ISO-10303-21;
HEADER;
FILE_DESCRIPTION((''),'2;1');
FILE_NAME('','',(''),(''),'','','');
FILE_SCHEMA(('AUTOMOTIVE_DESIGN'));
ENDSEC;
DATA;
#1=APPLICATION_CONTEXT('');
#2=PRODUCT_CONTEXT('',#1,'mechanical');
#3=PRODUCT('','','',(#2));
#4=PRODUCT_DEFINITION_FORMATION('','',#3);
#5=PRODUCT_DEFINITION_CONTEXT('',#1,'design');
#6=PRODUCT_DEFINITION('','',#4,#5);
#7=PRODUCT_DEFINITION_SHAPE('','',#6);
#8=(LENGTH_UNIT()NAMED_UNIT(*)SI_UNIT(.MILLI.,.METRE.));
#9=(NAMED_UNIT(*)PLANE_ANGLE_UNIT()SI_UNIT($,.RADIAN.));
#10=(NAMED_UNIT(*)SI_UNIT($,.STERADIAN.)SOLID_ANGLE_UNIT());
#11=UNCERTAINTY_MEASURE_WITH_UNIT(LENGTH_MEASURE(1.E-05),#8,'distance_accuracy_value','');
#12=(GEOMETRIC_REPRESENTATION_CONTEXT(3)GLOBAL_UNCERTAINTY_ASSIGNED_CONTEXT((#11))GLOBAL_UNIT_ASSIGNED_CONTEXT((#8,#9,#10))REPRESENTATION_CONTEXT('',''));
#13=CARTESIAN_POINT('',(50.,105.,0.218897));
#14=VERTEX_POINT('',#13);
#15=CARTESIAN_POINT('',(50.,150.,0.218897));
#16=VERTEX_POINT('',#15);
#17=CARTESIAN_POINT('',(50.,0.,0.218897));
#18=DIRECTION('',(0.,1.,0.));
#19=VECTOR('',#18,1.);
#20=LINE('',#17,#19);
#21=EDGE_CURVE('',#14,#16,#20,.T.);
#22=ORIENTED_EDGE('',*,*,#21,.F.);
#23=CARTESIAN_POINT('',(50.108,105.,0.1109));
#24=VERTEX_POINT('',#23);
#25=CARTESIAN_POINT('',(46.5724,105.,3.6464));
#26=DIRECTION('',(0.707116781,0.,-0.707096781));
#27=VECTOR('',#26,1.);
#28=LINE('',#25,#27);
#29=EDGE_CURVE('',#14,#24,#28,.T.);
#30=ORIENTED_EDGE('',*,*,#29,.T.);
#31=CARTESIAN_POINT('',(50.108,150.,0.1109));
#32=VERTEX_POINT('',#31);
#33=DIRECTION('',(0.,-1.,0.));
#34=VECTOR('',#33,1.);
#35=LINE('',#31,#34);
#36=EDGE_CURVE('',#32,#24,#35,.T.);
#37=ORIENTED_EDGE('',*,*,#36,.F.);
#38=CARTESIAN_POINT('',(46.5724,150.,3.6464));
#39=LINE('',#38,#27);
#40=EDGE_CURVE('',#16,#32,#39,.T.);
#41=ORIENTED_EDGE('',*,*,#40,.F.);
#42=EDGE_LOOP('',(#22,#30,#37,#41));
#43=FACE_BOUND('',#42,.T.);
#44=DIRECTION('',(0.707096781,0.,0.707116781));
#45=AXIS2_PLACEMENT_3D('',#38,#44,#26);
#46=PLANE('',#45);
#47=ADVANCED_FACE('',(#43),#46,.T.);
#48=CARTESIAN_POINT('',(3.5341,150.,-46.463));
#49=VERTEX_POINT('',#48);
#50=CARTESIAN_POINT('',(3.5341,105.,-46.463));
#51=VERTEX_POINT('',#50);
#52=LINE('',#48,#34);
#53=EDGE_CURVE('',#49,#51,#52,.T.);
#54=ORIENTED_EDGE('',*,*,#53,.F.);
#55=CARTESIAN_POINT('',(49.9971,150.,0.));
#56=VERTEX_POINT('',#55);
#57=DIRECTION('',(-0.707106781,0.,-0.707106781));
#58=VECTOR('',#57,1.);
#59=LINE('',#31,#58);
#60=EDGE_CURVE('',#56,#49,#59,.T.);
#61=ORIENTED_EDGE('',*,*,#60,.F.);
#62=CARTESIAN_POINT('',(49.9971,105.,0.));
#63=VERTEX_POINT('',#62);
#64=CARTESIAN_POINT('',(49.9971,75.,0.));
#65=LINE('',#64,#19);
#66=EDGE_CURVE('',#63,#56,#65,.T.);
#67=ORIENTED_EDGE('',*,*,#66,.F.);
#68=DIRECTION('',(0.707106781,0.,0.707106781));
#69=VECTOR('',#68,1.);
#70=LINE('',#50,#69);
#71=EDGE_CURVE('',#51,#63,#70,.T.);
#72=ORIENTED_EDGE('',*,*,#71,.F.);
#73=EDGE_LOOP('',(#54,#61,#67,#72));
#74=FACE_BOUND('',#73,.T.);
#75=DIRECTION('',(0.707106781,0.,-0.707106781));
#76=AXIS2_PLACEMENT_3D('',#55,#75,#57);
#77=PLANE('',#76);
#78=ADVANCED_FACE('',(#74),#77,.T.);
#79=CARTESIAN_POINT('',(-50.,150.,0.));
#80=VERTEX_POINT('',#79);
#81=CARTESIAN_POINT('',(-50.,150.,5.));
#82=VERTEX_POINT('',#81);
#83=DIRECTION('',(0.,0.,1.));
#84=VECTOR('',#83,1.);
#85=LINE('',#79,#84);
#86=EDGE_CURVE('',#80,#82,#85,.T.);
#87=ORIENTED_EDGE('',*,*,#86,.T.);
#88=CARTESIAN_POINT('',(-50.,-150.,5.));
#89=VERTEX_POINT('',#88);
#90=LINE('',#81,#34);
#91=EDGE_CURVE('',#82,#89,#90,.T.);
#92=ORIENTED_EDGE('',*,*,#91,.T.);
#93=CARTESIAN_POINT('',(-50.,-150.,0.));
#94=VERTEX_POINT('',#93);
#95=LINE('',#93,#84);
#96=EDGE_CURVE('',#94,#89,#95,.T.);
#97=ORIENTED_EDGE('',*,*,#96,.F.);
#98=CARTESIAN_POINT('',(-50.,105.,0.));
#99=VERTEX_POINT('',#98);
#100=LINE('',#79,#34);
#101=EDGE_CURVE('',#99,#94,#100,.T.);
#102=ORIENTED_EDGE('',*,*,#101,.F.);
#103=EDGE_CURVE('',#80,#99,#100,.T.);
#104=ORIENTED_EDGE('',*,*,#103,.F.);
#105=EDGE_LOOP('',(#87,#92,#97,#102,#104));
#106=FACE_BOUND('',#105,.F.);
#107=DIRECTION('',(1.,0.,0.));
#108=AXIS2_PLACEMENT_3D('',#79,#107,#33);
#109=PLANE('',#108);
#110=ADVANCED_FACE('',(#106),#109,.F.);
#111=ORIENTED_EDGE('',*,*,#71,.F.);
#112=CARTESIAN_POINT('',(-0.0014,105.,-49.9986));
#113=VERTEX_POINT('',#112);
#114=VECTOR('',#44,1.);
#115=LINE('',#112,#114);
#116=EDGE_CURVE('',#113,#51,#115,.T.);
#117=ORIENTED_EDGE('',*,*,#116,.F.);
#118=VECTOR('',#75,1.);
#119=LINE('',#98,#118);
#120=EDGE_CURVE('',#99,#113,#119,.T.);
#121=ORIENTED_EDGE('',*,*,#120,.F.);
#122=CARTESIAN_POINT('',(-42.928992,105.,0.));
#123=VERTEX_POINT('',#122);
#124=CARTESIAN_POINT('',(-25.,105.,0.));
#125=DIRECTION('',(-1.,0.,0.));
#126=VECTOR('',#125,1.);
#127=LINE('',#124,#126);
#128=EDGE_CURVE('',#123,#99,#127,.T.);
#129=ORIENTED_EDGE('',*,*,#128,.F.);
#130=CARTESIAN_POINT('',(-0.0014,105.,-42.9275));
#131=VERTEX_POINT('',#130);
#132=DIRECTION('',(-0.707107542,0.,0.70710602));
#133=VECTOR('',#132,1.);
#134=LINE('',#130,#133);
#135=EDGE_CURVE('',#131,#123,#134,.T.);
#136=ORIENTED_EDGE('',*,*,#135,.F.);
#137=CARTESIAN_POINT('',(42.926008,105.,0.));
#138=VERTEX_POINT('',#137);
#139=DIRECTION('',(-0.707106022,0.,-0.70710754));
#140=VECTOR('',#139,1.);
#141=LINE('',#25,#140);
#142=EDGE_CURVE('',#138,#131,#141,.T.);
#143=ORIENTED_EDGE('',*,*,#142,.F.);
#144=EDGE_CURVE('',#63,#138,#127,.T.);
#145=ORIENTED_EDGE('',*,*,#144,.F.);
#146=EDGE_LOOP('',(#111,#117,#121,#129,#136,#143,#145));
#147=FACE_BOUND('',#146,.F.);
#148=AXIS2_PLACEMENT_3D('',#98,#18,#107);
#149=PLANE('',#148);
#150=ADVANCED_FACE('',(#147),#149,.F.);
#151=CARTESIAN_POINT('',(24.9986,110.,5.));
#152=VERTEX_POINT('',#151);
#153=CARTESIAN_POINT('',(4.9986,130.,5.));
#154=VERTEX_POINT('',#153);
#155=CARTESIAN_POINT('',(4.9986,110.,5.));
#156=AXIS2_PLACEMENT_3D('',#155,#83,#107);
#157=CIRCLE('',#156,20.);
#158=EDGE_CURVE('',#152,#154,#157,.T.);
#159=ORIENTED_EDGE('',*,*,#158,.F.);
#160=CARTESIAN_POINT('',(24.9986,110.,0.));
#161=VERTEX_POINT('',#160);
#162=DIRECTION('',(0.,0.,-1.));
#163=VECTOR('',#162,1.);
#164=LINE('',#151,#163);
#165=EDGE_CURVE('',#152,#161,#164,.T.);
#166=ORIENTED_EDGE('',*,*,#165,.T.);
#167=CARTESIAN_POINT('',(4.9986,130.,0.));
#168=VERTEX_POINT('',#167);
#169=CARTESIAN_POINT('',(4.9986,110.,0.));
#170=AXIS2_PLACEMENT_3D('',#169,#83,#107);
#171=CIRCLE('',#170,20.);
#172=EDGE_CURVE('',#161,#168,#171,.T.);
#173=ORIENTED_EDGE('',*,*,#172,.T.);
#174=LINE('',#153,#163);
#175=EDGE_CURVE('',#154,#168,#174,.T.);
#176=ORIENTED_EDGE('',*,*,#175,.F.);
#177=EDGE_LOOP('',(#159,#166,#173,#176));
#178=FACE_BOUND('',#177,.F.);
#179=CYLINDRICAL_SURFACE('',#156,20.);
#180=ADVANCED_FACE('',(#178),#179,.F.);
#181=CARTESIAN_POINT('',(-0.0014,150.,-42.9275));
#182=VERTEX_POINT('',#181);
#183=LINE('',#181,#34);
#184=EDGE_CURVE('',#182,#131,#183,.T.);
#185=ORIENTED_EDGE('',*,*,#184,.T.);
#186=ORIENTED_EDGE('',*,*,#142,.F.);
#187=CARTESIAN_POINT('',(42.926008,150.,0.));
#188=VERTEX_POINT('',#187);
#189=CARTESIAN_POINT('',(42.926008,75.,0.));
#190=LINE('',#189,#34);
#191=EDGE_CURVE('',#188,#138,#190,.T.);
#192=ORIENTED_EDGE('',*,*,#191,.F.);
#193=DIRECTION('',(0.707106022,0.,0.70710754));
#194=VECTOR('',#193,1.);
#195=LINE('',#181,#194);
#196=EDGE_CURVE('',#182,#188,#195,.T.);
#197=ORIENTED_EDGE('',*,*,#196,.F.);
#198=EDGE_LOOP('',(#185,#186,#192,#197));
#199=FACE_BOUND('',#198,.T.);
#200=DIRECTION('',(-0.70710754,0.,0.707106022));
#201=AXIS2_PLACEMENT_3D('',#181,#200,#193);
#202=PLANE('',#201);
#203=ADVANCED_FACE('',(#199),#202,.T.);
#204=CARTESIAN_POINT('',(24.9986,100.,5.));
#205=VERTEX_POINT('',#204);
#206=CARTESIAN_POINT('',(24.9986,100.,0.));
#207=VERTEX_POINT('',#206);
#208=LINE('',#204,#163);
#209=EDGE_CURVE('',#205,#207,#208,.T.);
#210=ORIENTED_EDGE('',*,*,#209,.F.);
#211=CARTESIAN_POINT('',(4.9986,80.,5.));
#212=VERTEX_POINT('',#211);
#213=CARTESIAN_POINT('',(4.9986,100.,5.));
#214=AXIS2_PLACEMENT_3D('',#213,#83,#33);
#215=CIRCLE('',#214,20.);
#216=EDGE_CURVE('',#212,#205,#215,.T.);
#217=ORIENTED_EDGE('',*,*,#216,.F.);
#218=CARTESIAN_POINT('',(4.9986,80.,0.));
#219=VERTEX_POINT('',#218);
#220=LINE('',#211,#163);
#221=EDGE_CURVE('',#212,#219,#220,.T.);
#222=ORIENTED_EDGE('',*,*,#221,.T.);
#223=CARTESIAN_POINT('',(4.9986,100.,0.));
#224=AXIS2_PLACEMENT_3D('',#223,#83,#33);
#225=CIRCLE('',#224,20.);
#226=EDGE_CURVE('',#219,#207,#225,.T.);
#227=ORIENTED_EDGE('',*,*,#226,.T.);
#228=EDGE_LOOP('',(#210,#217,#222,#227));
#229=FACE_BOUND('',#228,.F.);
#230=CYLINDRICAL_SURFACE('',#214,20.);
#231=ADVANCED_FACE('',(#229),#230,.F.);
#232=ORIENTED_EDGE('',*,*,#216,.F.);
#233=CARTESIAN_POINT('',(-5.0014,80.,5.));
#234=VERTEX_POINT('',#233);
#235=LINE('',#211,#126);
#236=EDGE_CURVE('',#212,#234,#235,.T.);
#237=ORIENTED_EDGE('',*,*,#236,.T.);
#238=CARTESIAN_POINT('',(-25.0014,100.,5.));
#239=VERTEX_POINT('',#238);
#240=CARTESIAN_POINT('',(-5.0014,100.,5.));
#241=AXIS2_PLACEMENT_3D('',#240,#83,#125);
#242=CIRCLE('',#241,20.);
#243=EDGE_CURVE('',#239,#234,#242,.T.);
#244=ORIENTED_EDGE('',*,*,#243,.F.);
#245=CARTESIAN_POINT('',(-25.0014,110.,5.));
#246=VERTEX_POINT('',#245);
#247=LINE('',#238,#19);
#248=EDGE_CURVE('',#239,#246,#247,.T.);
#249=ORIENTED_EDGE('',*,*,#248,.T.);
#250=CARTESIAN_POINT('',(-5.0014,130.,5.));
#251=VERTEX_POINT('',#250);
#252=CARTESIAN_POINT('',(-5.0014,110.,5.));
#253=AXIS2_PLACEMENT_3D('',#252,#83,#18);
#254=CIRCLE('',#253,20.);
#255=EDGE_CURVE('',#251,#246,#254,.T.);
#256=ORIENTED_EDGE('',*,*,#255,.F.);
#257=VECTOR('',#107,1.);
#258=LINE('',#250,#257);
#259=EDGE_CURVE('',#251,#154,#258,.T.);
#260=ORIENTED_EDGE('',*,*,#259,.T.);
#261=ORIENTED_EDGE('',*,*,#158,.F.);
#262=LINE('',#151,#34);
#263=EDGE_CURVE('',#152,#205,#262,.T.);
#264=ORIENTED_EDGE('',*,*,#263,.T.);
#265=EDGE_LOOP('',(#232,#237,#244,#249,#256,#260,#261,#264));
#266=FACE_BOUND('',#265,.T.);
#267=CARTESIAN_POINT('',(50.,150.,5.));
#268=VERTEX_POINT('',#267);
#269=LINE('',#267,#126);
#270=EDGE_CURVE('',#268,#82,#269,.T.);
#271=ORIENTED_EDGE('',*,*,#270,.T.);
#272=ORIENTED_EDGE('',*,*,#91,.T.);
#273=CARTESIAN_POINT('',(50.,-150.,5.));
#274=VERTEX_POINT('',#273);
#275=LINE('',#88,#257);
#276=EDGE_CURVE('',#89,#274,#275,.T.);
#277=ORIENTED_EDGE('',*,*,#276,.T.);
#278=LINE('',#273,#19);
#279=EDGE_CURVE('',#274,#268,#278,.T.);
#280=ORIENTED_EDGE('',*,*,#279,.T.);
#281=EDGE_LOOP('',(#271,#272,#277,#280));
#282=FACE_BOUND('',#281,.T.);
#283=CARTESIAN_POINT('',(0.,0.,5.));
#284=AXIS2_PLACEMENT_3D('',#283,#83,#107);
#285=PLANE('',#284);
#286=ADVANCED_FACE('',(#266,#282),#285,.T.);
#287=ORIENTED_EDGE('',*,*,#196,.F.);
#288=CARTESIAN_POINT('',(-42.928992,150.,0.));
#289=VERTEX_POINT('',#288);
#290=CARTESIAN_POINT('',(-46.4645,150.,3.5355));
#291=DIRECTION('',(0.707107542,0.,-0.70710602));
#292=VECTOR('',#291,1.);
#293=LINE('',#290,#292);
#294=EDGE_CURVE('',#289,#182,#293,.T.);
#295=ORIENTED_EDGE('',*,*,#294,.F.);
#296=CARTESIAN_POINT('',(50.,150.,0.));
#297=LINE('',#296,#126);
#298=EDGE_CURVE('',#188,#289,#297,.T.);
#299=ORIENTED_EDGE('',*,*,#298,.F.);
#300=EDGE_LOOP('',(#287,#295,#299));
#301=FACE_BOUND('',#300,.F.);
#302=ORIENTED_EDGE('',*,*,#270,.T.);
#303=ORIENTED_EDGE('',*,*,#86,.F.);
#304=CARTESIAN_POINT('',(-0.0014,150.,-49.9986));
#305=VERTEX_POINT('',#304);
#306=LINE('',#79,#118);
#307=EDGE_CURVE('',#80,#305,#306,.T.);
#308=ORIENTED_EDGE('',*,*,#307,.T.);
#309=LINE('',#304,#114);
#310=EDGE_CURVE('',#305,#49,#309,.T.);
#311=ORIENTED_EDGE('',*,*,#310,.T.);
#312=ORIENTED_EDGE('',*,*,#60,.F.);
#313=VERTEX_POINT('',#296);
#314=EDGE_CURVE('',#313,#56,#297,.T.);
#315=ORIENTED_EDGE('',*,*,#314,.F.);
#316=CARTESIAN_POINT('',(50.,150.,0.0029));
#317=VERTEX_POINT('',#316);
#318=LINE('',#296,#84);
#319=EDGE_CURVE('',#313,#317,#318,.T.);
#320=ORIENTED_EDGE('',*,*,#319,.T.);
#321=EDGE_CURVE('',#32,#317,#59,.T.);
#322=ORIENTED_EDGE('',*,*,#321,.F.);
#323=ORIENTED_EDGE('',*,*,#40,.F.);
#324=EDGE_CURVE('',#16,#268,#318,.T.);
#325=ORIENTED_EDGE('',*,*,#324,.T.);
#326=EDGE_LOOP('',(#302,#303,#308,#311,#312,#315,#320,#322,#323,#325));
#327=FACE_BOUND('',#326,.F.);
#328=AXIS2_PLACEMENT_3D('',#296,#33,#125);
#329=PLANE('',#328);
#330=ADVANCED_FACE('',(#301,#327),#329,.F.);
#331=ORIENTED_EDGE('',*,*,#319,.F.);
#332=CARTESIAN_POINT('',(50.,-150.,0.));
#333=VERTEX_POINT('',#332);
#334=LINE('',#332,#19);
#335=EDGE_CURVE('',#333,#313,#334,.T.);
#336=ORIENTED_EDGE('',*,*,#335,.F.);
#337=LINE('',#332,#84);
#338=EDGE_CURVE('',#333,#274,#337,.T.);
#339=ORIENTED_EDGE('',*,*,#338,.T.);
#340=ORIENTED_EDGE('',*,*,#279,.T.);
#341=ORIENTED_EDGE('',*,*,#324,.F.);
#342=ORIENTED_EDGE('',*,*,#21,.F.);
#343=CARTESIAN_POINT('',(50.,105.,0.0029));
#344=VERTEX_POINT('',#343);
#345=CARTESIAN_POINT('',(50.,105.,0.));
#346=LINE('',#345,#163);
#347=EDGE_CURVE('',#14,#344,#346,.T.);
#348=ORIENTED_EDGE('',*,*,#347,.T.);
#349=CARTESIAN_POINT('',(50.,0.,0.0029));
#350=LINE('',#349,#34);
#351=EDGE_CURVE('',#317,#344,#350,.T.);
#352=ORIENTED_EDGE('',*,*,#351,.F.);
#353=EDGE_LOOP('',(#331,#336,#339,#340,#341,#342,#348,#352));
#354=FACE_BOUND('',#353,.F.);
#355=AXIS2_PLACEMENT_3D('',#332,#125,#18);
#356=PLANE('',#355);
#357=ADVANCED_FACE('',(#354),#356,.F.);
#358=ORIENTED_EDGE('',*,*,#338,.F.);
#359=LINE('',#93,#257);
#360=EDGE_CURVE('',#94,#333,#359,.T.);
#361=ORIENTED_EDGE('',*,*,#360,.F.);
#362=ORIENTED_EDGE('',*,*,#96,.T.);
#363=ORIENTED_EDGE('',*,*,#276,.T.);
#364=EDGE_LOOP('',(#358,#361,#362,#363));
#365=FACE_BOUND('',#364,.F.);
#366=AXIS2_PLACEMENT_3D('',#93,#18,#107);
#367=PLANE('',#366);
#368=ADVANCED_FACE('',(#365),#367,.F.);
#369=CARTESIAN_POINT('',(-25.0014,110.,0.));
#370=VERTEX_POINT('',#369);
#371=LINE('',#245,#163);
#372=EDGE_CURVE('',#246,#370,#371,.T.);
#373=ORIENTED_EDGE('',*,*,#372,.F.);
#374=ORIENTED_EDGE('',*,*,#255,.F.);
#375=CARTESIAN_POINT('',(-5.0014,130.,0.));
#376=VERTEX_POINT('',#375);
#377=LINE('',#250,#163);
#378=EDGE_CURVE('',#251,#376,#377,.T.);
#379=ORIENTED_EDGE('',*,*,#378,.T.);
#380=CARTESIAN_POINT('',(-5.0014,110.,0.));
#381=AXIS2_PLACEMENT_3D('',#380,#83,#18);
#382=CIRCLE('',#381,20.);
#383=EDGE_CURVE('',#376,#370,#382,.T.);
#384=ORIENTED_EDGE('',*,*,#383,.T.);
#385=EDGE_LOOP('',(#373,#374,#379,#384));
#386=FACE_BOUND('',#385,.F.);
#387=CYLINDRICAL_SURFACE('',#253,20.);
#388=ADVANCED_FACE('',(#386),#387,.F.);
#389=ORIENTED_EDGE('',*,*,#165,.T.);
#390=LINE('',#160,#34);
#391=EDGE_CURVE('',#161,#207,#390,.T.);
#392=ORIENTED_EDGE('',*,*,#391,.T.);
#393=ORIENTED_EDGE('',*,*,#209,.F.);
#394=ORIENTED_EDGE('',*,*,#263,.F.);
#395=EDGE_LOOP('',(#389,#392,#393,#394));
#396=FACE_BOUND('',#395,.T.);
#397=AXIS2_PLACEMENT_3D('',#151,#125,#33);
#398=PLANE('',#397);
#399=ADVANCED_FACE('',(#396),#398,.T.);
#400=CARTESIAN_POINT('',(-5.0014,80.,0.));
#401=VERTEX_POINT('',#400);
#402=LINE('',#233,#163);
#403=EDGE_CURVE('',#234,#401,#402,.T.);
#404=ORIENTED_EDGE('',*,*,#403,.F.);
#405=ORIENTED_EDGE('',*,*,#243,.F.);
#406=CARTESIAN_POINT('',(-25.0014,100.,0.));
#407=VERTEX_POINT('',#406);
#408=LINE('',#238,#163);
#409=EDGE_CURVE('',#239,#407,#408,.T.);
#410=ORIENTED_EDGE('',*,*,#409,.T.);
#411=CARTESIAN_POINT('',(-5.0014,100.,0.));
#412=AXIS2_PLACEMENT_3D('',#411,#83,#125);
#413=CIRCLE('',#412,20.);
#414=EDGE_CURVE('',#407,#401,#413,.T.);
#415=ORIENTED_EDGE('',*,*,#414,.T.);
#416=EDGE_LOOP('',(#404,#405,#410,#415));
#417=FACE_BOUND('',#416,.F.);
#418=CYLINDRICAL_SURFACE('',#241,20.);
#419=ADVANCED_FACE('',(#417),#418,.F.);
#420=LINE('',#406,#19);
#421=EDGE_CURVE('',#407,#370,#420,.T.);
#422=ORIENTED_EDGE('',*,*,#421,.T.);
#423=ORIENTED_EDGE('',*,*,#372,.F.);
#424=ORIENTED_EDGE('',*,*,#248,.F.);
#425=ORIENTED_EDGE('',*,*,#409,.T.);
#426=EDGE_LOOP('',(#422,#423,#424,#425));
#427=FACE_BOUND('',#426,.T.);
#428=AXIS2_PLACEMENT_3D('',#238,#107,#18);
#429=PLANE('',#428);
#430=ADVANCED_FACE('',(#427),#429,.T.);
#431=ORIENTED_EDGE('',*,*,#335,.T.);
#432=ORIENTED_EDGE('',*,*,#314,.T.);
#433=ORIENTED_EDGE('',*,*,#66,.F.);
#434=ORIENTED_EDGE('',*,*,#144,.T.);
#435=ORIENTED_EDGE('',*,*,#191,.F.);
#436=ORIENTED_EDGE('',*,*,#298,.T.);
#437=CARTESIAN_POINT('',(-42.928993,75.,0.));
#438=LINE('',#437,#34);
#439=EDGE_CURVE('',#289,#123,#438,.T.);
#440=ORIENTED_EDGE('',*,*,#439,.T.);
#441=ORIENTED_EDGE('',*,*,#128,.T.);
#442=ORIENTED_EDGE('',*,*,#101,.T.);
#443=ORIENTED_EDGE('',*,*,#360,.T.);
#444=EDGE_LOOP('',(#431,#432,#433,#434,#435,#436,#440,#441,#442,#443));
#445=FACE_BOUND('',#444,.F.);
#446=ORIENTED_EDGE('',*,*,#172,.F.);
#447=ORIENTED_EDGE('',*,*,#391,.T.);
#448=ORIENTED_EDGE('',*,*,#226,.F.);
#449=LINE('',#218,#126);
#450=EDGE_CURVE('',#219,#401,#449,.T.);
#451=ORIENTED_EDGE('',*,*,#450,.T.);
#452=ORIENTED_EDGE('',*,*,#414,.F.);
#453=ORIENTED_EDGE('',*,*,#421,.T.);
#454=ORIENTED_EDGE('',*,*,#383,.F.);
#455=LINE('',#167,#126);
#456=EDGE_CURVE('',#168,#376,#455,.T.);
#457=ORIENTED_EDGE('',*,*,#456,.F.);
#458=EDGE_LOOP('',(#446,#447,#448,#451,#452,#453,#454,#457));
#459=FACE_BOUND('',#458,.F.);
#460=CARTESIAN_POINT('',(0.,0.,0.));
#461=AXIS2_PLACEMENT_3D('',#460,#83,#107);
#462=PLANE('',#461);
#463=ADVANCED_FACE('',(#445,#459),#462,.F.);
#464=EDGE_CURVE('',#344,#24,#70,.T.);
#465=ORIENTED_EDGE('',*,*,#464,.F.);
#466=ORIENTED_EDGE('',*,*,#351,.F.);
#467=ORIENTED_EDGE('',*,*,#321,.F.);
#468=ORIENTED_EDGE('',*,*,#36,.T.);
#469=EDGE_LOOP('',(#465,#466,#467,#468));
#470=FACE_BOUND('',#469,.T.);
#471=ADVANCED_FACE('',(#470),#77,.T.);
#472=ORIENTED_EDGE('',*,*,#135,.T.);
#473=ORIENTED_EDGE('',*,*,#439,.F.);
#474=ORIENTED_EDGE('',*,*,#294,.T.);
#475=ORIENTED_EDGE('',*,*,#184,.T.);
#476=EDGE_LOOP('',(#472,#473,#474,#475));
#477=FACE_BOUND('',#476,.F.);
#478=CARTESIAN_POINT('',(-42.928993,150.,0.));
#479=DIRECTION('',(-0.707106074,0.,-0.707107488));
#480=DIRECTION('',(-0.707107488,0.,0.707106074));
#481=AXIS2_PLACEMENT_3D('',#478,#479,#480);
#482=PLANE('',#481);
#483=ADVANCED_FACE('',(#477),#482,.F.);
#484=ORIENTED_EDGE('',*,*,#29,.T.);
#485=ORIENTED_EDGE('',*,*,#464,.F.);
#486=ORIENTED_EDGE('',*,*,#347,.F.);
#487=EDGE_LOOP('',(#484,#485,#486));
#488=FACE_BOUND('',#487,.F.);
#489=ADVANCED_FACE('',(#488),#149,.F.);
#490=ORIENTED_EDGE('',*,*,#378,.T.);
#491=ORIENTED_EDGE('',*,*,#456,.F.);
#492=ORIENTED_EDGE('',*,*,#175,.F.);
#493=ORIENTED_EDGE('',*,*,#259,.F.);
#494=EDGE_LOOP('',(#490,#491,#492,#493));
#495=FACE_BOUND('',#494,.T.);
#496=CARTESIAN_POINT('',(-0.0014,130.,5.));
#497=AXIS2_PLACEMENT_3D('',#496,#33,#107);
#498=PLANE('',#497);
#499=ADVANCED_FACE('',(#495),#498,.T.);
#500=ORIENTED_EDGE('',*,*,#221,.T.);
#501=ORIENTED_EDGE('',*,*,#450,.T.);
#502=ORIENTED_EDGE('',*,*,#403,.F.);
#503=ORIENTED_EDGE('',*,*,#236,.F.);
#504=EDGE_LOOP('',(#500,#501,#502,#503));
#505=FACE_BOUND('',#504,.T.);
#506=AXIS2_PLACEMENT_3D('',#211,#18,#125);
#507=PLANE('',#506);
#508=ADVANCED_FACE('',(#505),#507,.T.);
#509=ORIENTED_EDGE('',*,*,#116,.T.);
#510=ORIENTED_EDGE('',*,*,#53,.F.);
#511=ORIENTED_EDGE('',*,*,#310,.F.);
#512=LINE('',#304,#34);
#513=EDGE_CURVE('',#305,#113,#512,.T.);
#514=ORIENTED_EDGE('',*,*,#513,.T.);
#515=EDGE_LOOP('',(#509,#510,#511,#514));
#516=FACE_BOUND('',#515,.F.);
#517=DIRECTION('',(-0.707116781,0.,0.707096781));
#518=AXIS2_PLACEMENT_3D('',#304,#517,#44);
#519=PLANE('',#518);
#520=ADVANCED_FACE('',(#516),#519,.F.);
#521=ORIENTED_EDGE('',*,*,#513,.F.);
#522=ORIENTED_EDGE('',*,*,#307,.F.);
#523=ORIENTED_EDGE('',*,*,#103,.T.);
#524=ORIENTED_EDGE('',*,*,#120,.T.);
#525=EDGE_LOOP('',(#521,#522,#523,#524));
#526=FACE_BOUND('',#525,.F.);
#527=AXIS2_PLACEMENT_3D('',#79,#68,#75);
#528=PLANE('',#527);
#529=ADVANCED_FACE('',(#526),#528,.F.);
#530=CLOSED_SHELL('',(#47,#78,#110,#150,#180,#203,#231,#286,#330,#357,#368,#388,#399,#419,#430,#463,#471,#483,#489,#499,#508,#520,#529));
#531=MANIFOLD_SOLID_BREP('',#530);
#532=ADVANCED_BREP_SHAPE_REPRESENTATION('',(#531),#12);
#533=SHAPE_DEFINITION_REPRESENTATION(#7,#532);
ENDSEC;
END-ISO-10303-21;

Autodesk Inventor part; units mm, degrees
ref_plane "YZ Plane" through (0, 0, 0) normal (1, 0, 0) x (0, 1, 0)
ref_plane "XZ Plane" through (0, 0, 0) normal (0, 1, 0) x (-1, 0, 0)
ref_plane "XY Plane" through (0, 0, 0) normal (0, 0, 1) x (1, 0, 0)
sketch "Sketch1" plane through (0, 0, 0) normal (0, 0, 1) x (1, 0, 0)
  line L0 (-50, -150) -> (50, -150)
  line L1 (50, -150) -> (50, 150)
  line L2 (50, 150) -> (-50, 150)
  line L3 (-50, 150) -> (-50, -150)
  line L4 (-50, -150) -> (50, 150) construction
  line L5 (50, -150) -> (-50, 150) construction
  point P0 (0, 0)
  dimension "d0" = 100
  dimension "d1" = 300
extrude "Extrusion1" add sketch "Sketch1" along normal blind 5
sketch "Sketch2" plane through (-50, 150, 0) normal (0, 1, 0) x (1, 0, 0)
  line L0 (0, 0) -> (100, 0) projected
  line L1 (0, 0) -> (49.9986, 49.9986)
  line L2 (49.9986, 49.9986) -> (53.5341, 46.463)
  line L3 (53.5341, 46.463) -> (3.5355, -3.5355)
  line L4 (3.5355, -3.5355) -> (0, 0)
  line L5 (0, 0) -> (70.7086, 0) construction
  line L6 (100.108, -0.1109) -> (53.5341, 46.463)
  line L7 (53.5341, 46.463) -> (49.9986, 42.9275)
  line L8 (49.9986, 42.9275) -> (96.5724, -3.6464)
  line L9 (96.5724, -3.6464) -> (100.108, -0.1109)
  point P0 (50, 0)
  point P1 (49.9986, 42.9275)
  dimension "d4" = 45
  dimension "d5" = 5
  dimension "d6" = 5
extrude "Extrusion2" add sketch "Sketch2" against normal blind 45 contours L1 L2 L3 L0 | L0 L3 L4 | L8 L3 L6 L0 | L0 L6 L9 L8
sketch "Sketch6" plane through (0, 0, 5) normal (0, 0, 1) x (1, 0, 0)
  line L0 (4.9986, 80) -> (-5.0014, 80)
  line L1 (-25.0014, 100) -> (-25.0014, 110)
  line L2 (-5.0014, 130) -> (4.9986, 130)
  line L3 (24.9986, 110) -> (24.9986, 100)
  line L4 (-0.0014, 150) -> (-0.0014, 105) projected
  line L5 (24.9986, 80) -> (-25.0014, 130) construction
  line L6 (-25.0014, 80) -> (24.9986, 130) construction
  arc A0 (4.9986, 80) -> (24.9986, 100) centre (4.9986, 100) ccw
  arc A1 (24.9986, 110) -> (4.9986, 130) centre (4.9986, 110) ccw
  arc A2 (-5.0014, 130) -> (-25.0014, 110) centre (-5.0014, 110) ccw
  arc A3 (-25.0014, 100) -> (-5.0014, 80) centre (-5.0014, 100) ccw
  point P0 (0, 0)
  dimension "d21" = 50
  dimension "d22" = 50
  dimension "d23" = 20
extrude "Extrusion6" cut sketch "Sketch6" against normal blind 5
properties part number "fixation_v05"
